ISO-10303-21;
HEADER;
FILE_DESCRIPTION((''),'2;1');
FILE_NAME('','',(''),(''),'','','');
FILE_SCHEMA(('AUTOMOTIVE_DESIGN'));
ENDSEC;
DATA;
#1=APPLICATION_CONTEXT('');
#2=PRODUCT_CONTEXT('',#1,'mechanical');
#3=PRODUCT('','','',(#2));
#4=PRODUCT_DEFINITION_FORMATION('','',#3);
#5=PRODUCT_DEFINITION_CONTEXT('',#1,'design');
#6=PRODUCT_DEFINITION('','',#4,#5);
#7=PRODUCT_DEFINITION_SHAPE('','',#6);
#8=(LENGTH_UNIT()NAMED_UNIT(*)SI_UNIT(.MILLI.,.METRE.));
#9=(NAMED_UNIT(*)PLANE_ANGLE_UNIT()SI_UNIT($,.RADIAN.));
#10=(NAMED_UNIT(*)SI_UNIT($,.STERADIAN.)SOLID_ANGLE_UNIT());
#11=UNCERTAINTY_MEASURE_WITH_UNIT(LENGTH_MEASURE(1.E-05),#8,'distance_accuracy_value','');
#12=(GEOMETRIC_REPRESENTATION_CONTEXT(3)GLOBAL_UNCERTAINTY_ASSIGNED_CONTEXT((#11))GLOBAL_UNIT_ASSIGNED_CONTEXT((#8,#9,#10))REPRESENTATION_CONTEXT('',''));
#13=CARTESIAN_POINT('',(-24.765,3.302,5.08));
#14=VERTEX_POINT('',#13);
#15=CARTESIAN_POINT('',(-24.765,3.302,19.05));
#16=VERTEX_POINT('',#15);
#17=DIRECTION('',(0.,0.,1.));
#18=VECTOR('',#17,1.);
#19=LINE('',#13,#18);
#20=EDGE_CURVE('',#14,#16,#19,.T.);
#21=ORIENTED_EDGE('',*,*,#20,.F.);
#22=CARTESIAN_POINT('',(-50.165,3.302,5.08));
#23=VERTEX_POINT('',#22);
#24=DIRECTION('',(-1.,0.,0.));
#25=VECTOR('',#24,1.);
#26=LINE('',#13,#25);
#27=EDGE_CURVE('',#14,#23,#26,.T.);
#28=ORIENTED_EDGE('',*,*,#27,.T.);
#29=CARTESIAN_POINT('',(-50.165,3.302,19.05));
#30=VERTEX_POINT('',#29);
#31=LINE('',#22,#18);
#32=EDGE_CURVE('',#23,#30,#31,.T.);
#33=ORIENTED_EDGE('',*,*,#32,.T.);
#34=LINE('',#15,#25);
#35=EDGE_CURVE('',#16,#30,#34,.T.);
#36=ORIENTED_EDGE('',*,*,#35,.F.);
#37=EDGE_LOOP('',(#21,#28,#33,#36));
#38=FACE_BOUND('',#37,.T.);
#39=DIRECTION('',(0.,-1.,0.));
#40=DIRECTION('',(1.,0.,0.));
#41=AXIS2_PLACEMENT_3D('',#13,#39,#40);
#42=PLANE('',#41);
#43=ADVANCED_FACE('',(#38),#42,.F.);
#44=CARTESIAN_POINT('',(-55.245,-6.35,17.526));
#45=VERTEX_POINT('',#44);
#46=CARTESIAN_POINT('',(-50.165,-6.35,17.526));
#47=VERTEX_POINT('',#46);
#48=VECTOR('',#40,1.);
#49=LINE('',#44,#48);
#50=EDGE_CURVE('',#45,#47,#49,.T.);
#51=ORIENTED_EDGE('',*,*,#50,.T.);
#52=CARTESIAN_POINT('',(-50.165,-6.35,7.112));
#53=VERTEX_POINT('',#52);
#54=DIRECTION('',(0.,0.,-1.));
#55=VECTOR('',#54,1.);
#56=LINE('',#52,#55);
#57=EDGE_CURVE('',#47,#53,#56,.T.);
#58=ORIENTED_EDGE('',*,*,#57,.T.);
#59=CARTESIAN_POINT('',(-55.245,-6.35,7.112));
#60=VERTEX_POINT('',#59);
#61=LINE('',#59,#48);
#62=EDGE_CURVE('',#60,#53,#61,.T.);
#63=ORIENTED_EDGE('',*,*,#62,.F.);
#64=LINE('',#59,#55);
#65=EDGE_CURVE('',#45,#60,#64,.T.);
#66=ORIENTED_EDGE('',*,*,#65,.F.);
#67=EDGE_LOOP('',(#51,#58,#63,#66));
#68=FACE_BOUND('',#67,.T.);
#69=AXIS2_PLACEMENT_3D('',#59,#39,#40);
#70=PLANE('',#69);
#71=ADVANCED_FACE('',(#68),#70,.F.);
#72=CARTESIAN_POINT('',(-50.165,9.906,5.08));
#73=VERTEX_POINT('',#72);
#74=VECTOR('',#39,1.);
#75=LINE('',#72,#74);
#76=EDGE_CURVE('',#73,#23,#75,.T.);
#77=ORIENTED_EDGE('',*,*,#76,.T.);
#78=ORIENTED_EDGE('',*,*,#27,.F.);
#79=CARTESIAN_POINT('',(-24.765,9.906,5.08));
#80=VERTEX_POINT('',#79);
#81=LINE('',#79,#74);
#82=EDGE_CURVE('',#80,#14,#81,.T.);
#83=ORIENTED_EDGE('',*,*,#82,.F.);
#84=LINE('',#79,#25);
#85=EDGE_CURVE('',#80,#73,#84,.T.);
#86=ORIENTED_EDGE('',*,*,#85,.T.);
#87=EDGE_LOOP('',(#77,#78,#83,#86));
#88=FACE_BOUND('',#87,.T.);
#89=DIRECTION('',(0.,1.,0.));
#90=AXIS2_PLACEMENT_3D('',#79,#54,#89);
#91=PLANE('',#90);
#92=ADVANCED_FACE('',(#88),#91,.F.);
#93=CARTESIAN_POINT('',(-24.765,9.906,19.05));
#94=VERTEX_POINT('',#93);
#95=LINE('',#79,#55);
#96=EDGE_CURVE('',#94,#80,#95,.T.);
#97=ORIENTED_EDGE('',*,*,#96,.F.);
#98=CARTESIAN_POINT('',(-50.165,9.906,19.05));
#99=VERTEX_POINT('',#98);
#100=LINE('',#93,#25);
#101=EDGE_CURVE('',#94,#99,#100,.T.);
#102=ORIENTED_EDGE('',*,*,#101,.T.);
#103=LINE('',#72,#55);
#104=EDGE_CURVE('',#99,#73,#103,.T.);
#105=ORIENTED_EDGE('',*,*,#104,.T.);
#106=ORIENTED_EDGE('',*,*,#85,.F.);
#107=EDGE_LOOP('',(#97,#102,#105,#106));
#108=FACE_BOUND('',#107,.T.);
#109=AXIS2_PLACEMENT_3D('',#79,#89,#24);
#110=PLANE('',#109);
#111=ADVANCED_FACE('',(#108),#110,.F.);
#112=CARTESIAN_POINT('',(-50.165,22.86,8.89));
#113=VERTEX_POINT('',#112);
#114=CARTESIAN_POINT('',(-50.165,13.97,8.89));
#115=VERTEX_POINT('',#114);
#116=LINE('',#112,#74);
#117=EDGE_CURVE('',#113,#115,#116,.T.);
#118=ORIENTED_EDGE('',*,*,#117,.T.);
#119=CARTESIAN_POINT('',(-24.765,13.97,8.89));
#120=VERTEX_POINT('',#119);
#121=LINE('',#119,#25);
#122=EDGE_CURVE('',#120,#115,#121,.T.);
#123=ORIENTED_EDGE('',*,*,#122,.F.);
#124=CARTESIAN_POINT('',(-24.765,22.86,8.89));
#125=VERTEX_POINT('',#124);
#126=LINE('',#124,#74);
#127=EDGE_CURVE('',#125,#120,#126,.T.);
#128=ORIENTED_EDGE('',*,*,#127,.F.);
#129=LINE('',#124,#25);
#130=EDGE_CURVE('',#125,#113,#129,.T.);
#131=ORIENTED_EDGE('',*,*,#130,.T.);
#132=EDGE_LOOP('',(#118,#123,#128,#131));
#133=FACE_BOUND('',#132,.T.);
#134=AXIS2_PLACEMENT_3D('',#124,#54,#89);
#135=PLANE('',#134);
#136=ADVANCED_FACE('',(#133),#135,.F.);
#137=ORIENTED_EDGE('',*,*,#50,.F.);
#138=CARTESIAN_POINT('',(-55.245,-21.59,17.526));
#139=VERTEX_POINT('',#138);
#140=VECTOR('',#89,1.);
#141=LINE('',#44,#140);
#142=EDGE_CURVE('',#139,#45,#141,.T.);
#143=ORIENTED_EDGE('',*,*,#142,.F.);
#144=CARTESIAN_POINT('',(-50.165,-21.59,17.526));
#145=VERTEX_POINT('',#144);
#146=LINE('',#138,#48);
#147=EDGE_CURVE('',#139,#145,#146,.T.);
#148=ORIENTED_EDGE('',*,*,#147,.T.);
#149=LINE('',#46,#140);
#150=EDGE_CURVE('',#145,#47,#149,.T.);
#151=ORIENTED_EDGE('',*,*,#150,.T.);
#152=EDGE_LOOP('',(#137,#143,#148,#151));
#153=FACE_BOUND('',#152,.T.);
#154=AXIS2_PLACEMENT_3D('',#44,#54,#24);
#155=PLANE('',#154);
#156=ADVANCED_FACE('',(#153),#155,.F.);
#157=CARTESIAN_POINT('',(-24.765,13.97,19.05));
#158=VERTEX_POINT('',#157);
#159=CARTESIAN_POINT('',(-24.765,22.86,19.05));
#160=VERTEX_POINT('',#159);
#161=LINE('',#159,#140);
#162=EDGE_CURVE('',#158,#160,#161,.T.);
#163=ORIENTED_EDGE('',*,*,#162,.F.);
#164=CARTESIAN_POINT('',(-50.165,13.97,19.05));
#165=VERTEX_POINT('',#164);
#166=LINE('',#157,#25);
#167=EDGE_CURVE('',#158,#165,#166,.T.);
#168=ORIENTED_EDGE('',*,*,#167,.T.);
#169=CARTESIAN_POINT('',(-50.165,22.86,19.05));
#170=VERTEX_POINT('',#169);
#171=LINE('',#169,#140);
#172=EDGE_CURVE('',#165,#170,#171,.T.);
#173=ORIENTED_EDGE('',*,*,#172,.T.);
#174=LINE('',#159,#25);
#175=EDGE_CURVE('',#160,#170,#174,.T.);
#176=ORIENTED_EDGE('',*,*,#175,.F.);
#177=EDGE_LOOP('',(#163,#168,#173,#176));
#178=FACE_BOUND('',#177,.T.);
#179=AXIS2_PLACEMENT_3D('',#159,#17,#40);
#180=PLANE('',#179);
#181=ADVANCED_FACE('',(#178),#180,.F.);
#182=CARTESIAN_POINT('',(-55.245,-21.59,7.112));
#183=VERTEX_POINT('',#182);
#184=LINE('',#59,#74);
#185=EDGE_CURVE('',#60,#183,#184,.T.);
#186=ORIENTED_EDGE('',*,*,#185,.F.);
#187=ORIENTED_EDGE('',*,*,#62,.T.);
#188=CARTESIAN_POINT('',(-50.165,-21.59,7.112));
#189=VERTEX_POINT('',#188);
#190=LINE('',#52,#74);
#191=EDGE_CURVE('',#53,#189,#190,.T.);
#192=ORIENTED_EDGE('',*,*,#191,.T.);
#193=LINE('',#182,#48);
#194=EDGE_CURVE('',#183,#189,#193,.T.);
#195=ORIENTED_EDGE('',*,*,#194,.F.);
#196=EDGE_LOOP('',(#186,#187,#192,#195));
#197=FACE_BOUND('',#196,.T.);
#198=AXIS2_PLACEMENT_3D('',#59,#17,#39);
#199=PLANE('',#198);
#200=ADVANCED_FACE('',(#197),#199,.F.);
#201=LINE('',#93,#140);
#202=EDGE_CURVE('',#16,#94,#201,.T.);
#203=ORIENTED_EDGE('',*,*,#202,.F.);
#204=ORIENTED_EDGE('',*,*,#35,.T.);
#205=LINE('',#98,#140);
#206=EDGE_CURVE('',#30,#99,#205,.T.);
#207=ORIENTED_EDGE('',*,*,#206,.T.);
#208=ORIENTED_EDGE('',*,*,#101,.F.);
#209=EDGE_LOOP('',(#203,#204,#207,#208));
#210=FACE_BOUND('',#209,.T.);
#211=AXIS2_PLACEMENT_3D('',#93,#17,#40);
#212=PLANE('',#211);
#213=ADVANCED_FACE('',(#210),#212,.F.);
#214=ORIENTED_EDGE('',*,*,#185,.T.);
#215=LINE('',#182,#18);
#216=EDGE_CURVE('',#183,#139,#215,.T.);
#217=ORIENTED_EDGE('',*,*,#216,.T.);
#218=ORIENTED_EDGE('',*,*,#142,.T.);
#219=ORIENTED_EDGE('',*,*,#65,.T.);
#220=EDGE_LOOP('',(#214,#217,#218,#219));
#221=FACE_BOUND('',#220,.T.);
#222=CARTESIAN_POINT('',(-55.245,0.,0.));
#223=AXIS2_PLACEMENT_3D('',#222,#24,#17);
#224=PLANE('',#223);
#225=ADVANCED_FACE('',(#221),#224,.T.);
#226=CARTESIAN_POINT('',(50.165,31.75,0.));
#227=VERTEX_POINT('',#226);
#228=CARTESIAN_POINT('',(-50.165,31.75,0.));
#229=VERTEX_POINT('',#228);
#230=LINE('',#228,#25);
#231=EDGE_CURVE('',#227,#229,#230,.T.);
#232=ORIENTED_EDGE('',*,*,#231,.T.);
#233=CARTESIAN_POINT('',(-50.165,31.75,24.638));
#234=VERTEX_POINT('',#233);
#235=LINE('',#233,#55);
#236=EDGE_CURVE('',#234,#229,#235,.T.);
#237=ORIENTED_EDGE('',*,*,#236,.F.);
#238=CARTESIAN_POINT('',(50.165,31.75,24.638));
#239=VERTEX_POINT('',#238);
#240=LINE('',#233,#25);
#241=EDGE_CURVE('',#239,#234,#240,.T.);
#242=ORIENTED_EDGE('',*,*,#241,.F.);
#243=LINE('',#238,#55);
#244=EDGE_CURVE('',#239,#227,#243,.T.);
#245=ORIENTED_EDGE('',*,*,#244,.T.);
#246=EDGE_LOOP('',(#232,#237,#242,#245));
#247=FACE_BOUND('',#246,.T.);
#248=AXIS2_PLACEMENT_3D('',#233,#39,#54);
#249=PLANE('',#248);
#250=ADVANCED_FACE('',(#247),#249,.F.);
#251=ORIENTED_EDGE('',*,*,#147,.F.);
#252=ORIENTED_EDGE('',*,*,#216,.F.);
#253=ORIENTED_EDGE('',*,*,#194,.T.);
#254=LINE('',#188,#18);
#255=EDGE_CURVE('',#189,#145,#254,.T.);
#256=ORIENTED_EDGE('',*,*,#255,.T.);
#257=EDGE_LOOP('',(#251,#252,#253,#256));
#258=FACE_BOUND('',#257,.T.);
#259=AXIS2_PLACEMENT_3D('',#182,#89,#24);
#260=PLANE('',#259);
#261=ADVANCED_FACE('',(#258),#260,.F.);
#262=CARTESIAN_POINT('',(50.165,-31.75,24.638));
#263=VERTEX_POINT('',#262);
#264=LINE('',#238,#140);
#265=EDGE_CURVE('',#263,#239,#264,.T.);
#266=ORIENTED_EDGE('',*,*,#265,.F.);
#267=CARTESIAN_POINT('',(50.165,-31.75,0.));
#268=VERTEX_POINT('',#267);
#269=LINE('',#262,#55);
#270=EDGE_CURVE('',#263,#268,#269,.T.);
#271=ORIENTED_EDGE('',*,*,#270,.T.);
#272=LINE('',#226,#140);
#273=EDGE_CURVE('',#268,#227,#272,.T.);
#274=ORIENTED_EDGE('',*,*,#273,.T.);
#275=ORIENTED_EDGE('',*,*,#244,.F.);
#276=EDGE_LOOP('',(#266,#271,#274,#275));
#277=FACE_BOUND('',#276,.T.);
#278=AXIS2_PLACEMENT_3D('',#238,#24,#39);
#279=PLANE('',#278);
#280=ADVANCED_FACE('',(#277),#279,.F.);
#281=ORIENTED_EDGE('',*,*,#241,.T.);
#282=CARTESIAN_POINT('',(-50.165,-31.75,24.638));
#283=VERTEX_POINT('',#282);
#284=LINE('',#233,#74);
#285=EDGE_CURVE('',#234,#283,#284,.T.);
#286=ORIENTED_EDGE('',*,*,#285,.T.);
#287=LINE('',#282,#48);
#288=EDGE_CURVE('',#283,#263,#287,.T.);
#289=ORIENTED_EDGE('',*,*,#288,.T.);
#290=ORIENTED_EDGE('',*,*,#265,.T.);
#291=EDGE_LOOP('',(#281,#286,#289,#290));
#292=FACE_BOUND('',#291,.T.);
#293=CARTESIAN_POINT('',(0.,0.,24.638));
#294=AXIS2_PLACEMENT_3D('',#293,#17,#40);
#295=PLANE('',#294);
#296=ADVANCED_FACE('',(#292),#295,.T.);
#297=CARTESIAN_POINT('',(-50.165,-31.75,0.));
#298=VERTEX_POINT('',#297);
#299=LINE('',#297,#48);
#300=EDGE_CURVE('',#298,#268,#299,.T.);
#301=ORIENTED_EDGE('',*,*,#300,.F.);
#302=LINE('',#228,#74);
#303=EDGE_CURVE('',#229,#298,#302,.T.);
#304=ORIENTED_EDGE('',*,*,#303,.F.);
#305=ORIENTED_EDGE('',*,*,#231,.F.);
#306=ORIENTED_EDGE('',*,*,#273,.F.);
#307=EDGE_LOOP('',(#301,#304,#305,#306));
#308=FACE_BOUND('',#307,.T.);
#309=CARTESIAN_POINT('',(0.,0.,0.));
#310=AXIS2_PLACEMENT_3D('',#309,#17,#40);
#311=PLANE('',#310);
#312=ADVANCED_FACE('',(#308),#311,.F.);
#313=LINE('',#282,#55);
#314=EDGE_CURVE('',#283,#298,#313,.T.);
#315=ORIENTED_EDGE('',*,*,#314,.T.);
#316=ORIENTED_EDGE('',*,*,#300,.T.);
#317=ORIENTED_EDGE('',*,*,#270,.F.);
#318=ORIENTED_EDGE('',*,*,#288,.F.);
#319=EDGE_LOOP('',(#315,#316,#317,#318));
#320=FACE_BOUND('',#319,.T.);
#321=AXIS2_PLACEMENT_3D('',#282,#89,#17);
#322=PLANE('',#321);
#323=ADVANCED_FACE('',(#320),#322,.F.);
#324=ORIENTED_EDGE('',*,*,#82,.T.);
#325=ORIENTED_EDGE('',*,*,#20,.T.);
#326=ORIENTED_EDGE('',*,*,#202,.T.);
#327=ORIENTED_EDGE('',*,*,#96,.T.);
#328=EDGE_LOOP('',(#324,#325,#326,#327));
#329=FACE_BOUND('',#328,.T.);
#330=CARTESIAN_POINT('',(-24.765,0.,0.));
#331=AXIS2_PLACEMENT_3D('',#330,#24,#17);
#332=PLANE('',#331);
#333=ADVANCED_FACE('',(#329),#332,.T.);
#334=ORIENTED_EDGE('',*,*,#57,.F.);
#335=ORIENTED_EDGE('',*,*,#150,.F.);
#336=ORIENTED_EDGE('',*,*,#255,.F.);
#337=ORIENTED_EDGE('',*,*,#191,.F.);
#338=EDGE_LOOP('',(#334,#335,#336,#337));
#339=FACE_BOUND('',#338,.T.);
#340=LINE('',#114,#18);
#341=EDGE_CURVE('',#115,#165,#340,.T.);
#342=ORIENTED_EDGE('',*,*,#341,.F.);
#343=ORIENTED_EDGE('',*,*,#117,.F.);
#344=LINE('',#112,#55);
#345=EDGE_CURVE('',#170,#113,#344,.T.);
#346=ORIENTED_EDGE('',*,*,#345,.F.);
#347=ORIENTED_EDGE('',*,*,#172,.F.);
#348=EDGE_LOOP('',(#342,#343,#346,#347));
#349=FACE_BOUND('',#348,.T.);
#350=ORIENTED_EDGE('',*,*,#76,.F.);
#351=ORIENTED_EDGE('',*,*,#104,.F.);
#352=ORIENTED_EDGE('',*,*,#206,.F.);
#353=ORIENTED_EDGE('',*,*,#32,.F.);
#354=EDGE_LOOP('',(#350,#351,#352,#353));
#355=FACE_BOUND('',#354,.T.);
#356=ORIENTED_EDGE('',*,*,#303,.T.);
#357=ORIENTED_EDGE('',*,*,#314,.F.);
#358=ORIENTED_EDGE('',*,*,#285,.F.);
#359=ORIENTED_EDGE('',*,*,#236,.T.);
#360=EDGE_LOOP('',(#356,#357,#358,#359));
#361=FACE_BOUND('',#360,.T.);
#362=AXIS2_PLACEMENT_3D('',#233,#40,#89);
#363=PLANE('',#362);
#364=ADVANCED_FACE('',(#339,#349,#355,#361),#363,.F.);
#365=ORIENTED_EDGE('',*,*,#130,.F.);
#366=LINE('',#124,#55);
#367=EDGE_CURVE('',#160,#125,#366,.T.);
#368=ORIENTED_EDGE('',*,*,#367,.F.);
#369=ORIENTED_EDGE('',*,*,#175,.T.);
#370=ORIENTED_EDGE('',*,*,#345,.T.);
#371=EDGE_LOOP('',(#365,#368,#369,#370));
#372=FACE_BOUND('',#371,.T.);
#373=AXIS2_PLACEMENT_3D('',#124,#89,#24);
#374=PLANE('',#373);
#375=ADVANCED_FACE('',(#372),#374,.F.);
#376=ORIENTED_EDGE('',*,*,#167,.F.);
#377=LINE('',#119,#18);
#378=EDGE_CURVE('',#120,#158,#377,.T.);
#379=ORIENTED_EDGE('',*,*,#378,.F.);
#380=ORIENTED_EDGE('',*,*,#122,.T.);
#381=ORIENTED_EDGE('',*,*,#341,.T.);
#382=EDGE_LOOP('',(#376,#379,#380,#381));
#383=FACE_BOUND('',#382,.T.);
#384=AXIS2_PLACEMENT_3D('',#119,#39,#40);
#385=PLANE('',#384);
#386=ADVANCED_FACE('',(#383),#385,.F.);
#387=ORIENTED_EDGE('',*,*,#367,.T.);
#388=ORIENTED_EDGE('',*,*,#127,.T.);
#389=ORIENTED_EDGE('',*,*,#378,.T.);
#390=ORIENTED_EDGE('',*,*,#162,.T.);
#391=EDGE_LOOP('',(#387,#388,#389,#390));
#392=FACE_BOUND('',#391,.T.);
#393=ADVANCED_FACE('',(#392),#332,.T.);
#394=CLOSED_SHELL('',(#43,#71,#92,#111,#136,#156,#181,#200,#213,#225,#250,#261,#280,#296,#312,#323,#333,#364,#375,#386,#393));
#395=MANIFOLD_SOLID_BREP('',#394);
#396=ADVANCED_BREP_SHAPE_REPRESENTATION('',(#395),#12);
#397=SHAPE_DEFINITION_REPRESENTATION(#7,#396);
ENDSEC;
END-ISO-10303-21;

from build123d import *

# Parameters (mm, degrees)
SKETCH1_W           = 100.33
SKETCH1_H           = 63.5
BOSS_EXTRUDE1_DEPTH = 24.638
SKETCH3_W           = 10.16
SKETCH3_H           = 8.89
SKETCH3_W_2         = 13.97
SKETCH3_H_2         = 6.604
CUT_EXTRUDE1_DEPTH  = 25.4
SKETCH4_W           = 10.414
SKETCH4_H           = 15.24
BOSS_EXTRUDE2_DEPTH = 5.08


with BuildPart() as part:
    # Sketch1 → Boss-Extrude1 (new body)
    with BuildSketch(Plane.XY):
        Rectangle(SKETCH1_W, SKETCH1_H)
    extrude(amount=BOSS_EXTRUDE1_DEPTH)

    # Sketch3 → Cut-Extrude1 (cut)
    with BuildSketch(Plane.ZY.offset(50.165)):
        with Locations((13.97, 18.415)):
            Rectangle(SKETCH3_W, SKETCH3_H)
        with Locations((12.065, 6.604)):
            Rectangle(SKETCH3_W_2, SKETCH3_H_2)
    extrude(amount=-CUT_EXTRUDE1_DEPTH, mode=Mode.SUBTRACT)

    # Sketch4 → Boss-Extrude2 (add)
    with BuildSketch(Plane.ZY.offset(50.165)):
        with Locations((12.319, -13.97)):
            Rectangle(SKETCH4_W, SKETCH4_H)
    extrude(amount=BOSS_EXTRUDE2_DEPTH)


solid = part.part
